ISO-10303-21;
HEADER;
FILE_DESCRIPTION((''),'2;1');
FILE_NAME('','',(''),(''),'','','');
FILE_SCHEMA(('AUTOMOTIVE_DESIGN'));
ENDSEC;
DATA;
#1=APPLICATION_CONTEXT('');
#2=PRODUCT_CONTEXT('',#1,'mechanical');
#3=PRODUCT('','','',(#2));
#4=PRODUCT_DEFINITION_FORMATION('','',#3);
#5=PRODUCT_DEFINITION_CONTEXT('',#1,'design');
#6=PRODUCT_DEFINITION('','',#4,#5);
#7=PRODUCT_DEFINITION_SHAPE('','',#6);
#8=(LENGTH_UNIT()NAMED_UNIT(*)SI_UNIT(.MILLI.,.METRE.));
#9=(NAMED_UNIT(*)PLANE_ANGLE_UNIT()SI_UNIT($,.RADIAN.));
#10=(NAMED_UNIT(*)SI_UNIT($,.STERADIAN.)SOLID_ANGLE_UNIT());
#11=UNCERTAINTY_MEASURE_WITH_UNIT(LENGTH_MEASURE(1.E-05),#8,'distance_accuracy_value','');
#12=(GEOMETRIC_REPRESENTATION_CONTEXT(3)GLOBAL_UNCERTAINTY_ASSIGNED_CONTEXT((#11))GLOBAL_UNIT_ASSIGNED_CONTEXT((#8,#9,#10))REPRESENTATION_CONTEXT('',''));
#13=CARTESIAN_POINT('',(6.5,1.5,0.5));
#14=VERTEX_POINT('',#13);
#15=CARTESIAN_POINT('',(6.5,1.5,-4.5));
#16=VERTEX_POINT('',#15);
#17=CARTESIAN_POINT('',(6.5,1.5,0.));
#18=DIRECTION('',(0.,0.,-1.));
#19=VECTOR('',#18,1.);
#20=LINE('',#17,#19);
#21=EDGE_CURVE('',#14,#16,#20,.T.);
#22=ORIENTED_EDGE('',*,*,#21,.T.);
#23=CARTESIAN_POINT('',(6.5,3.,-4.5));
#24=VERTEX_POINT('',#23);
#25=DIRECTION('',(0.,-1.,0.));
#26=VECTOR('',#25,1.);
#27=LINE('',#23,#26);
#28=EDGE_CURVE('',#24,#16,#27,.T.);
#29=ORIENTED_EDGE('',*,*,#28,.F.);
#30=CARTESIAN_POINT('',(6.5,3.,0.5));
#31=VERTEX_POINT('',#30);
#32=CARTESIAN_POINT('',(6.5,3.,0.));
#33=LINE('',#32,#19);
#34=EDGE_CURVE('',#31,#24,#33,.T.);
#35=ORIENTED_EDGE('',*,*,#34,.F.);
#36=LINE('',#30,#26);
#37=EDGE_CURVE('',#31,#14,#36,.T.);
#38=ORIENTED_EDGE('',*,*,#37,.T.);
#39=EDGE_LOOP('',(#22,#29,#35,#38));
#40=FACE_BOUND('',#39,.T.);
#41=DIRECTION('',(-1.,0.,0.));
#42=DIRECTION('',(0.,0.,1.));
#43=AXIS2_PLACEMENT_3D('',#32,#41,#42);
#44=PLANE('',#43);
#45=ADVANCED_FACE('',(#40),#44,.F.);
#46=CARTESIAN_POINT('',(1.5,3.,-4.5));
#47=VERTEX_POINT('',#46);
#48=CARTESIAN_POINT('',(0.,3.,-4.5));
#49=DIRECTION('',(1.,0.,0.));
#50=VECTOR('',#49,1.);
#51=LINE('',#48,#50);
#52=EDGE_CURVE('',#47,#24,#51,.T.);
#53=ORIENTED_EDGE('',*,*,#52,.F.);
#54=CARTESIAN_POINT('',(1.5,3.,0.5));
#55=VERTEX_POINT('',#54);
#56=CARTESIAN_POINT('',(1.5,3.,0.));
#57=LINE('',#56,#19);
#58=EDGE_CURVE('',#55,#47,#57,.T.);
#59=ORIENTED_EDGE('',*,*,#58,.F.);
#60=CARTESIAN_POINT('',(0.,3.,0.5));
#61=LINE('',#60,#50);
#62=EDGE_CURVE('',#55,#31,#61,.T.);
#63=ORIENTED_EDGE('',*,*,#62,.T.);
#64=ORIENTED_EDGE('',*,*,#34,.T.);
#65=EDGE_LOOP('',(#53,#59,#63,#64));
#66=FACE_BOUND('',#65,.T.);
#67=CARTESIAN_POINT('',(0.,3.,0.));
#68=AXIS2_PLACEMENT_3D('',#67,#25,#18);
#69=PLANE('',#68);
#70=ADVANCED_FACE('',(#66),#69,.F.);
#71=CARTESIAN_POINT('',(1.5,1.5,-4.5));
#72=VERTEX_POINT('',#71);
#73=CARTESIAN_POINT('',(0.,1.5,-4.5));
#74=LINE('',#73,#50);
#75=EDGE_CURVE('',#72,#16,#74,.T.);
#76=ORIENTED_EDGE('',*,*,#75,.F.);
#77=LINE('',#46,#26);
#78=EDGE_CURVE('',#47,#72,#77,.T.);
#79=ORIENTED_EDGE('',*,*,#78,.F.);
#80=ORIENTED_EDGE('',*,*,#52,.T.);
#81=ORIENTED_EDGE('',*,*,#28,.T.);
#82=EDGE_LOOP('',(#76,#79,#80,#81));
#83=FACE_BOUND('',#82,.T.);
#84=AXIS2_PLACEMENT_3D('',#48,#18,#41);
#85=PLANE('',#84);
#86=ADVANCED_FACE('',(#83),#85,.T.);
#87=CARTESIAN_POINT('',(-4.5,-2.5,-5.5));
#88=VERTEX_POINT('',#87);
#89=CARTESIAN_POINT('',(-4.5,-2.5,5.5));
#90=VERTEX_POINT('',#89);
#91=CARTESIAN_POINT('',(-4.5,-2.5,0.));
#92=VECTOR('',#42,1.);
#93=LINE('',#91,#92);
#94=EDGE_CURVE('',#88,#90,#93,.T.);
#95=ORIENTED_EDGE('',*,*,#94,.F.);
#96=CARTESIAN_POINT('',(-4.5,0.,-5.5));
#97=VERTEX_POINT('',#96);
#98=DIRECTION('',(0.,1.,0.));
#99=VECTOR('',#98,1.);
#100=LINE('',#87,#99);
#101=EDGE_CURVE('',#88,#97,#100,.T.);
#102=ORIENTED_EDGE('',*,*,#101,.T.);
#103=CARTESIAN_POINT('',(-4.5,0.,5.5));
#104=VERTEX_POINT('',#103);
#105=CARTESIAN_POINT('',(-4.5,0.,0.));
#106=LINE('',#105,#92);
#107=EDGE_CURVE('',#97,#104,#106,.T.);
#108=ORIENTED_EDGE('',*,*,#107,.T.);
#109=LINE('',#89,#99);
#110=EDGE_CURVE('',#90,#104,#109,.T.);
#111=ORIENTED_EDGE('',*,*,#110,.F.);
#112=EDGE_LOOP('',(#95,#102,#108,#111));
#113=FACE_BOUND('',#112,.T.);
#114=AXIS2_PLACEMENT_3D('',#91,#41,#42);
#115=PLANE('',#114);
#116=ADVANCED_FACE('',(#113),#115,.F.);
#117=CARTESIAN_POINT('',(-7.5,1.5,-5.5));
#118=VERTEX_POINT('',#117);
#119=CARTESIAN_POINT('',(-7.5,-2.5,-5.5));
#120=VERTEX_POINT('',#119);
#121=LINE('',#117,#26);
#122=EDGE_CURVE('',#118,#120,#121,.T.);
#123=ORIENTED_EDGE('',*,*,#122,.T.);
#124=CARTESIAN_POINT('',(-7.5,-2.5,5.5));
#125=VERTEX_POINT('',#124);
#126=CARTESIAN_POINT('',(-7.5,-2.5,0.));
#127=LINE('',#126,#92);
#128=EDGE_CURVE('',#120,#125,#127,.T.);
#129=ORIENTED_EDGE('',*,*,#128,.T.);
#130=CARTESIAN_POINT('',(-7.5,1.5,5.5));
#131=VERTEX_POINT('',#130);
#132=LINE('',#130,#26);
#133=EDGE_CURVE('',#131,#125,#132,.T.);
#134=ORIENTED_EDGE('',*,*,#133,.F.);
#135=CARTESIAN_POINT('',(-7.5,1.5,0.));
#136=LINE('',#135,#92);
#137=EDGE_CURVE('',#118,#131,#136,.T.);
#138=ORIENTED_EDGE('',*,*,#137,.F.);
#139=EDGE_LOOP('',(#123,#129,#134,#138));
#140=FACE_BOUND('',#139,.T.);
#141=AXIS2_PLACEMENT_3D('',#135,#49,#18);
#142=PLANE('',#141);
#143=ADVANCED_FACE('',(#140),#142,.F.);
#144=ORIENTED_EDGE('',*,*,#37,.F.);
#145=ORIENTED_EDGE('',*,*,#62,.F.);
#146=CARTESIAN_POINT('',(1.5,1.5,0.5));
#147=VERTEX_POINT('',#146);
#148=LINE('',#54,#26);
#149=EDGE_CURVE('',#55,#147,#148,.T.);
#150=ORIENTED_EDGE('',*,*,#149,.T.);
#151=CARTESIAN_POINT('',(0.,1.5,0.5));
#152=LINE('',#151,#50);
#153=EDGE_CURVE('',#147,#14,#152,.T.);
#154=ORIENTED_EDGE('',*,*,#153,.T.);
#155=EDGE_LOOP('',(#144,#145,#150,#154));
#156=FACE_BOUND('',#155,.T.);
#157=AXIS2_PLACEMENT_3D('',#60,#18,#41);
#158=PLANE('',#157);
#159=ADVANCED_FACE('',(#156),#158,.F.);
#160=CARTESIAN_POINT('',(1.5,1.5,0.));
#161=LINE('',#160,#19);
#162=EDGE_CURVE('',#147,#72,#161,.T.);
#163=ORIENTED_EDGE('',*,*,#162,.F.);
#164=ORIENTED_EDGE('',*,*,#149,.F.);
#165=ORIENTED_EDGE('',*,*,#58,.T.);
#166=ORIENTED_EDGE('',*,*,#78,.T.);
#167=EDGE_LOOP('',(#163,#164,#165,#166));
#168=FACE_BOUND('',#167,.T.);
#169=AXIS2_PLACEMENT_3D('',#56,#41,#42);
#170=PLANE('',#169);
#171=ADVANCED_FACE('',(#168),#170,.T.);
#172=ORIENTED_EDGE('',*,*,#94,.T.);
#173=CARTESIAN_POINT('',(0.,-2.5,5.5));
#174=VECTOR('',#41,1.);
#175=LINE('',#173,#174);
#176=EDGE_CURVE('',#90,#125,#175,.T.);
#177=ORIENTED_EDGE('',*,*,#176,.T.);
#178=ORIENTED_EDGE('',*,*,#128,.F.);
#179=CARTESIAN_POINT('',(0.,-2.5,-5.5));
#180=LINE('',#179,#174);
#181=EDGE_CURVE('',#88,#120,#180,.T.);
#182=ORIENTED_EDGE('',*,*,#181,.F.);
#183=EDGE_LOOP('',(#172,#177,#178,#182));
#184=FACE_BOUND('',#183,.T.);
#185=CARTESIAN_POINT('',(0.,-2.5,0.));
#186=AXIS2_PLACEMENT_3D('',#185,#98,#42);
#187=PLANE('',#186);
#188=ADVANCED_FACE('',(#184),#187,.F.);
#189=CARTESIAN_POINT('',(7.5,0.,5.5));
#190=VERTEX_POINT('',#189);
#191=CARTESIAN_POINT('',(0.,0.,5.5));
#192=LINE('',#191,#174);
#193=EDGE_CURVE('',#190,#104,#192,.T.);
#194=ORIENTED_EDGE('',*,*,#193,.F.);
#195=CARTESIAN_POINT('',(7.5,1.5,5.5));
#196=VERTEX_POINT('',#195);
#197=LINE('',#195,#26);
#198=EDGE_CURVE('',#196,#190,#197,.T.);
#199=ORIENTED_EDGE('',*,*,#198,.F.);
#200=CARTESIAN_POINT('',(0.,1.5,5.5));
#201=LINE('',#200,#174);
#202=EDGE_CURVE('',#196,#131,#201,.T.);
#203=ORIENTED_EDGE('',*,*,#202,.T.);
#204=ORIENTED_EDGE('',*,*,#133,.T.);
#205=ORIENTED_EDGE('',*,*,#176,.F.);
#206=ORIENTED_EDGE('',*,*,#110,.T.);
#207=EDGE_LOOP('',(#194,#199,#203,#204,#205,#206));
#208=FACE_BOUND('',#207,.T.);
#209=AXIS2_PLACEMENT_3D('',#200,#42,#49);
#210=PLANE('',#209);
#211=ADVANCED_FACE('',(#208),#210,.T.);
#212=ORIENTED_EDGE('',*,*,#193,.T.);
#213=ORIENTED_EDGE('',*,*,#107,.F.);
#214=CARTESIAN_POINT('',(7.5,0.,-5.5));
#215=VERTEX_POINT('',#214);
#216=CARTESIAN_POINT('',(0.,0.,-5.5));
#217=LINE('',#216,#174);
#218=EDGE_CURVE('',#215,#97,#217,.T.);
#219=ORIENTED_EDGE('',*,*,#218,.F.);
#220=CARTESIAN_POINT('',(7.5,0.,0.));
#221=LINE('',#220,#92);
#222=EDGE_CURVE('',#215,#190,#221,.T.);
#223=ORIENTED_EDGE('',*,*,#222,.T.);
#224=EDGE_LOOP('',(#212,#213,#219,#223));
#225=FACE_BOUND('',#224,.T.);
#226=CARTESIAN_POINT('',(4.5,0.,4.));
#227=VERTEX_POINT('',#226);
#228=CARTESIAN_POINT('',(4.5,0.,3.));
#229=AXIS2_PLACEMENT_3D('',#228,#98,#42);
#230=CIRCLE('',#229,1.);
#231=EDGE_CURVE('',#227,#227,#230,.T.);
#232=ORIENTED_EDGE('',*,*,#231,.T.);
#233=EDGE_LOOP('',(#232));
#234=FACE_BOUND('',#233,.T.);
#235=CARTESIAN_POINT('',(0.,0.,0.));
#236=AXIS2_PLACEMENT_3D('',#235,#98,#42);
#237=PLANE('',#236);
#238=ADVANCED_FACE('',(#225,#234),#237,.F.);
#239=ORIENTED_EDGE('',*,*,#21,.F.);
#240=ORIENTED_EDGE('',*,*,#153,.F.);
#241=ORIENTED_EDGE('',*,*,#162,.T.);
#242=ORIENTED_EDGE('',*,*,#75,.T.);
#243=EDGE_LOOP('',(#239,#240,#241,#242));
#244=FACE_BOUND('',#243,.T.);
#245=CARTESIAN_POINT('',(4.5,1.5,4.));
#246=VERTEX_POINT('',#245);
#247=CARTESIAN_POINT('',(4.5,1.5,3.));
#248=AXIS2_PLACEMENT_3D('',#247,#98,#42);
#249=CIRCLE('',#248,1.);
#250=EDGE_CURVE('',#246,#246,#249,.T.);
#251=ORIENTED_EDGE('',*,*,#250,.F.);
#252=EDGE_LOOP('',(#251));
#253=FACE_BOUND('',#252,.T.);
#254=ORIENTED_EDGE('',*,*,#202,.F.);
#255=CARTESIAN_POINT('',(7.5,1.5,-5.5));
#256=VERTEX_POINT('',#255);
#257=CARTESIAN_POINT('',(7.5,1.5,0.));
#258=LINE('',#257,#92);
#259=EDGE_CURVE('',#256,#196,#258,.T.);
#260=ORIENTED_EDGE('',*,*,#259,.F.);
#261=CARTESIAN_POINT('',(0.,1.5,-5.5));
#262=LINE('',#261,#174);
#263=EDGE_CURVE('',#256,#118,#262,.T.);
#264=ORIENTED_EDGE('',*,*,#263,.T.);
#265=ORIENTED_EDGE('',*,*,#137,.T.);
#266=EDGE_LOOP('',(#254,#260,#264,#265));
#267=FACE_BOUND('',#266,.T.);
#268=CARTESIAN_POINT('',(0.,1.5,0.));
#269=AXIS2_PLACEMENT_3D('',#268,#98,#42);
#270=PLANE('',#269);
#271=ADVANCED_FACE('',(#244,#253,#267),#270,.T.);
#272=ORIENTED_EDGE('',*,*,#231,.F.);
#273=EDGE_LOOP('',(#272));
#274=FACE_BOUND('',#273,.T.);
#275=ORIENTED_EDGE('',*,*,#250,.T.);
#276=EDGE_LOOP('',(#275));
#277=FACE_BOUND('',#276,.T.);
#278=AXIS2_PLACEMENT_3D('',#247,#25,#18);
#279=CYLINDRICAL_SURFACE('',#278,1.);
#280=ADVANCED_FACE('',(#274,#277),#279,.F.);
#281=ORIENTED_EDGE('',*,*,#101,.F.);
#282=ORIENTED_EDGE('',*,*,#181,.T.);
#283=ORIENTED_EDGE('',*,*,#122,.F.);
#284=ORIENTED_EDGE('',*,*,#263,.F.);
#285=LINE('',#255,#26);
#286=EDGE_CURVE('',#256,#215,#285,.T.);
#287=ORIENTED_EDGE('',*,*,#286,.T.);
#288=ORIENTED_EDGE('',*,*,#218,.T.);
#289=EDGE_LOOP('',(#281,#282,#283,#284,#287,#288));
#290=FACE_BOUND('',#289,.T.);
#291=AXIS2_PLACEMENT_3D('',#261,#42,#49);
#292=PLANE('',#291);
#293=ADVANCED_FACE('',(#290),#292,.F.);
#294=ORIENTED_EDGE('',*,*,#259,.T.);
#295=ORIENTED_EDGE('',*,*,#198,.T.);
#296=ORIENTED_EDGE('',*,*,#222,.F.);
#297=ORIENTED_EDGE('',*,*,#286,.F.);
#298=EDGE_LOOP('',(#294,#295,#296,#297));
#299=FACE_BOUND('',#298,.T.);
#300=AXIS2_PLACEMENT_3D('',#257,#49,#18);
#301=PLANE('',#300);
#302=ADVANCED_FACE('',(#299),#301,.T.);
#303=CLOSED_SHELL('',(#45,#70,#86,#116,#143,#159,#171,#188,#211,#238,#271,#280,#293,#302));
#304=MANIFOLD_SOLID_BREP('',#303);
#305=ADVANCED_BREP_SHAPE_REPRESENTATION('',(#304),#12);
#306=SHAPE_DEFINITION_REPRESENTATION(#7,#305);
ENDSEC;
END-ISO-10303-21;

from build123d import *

# Parameters (mm, degrees)
SKETCH_1_R      = 1
SKETCH_1_W      = 5
SKETCH_1_H      = 5
SKETCH_1_W_2    = 3
SKETCH_1_H_2    = 11
EXTRUDE_1_DEPTH = 1.5
SKETCH_1_3_W    = 3
SKETCH_1_3_H    = 11
EXTRUDE_2_DEPTH = 2.5
EXTRUDE_START   = 1.5
SKETCH_1_4_W    = 5
SKETCH_1_4_H    = 5
EXTRUDE_3_DEPTH = 1.5


with BuildPart() as part:
    # Эскиз1 → Бобышка-Вытянуть1 (new body)
    with BuildSketch(Plane(origin=(0, 0, 0), x_dir=(1, 0, 0), z_dir=(0, 1, 0))):
        Polygon((7.5, -3), (7.5, 5.5), (-4.5, 5.5), (-4.5, -5.5), (4.5, -5.5), (7.5, -5.5), align=None)
        with Locations((4.5, -3)):
            Circle(SKETCH_1_R, mode=Mode.SUBTRACT)
        with Locations((4, 2)):
            Rectangle(SKETCH_1_W, SKETCH_1_H, mode=Mode.SUBTRACT)
        with Locations((-6, 0)):
            Rectangle(SKETCH_1_W_2, SKETCH_1_H_2)
        with Locations((4, 2)):
            Rectangle(SKETCH_1_W, SKETCH_1_H)
    extrude(amount=EXTRUDE_1_DEPTH)

    # Эскиз1<3> → Бобышка-Вытянуть2 (add)
    with BuildSketch(Plane(origin=(0, 0, 0), x_dir=(1, 0, 0), z_dir=(0, 1, 0))):
        with Locations((-6, 0)):
            Rectangle(SKETCH_1_3_W, SKETCH_1_3_H)
    extrude(amount=-EXTRUDE_2_DEPTH)

    # Эскиз1<4> → Бобышка-Вытянуть3 (add)
    with BuildSketch(Plane(origin=(0, 0, 0), x_dir=(1, 0, 0), z_dir=(0, 1, 0)).offset(EXTRUDE_START)):
        with Locations((4, 2)):
            Rectangle(SKETCH_1_4_W, SKETCH_1_4_H)
    extrude(amount=EXTRUDE_3_DEPTH)


solid = part.part
